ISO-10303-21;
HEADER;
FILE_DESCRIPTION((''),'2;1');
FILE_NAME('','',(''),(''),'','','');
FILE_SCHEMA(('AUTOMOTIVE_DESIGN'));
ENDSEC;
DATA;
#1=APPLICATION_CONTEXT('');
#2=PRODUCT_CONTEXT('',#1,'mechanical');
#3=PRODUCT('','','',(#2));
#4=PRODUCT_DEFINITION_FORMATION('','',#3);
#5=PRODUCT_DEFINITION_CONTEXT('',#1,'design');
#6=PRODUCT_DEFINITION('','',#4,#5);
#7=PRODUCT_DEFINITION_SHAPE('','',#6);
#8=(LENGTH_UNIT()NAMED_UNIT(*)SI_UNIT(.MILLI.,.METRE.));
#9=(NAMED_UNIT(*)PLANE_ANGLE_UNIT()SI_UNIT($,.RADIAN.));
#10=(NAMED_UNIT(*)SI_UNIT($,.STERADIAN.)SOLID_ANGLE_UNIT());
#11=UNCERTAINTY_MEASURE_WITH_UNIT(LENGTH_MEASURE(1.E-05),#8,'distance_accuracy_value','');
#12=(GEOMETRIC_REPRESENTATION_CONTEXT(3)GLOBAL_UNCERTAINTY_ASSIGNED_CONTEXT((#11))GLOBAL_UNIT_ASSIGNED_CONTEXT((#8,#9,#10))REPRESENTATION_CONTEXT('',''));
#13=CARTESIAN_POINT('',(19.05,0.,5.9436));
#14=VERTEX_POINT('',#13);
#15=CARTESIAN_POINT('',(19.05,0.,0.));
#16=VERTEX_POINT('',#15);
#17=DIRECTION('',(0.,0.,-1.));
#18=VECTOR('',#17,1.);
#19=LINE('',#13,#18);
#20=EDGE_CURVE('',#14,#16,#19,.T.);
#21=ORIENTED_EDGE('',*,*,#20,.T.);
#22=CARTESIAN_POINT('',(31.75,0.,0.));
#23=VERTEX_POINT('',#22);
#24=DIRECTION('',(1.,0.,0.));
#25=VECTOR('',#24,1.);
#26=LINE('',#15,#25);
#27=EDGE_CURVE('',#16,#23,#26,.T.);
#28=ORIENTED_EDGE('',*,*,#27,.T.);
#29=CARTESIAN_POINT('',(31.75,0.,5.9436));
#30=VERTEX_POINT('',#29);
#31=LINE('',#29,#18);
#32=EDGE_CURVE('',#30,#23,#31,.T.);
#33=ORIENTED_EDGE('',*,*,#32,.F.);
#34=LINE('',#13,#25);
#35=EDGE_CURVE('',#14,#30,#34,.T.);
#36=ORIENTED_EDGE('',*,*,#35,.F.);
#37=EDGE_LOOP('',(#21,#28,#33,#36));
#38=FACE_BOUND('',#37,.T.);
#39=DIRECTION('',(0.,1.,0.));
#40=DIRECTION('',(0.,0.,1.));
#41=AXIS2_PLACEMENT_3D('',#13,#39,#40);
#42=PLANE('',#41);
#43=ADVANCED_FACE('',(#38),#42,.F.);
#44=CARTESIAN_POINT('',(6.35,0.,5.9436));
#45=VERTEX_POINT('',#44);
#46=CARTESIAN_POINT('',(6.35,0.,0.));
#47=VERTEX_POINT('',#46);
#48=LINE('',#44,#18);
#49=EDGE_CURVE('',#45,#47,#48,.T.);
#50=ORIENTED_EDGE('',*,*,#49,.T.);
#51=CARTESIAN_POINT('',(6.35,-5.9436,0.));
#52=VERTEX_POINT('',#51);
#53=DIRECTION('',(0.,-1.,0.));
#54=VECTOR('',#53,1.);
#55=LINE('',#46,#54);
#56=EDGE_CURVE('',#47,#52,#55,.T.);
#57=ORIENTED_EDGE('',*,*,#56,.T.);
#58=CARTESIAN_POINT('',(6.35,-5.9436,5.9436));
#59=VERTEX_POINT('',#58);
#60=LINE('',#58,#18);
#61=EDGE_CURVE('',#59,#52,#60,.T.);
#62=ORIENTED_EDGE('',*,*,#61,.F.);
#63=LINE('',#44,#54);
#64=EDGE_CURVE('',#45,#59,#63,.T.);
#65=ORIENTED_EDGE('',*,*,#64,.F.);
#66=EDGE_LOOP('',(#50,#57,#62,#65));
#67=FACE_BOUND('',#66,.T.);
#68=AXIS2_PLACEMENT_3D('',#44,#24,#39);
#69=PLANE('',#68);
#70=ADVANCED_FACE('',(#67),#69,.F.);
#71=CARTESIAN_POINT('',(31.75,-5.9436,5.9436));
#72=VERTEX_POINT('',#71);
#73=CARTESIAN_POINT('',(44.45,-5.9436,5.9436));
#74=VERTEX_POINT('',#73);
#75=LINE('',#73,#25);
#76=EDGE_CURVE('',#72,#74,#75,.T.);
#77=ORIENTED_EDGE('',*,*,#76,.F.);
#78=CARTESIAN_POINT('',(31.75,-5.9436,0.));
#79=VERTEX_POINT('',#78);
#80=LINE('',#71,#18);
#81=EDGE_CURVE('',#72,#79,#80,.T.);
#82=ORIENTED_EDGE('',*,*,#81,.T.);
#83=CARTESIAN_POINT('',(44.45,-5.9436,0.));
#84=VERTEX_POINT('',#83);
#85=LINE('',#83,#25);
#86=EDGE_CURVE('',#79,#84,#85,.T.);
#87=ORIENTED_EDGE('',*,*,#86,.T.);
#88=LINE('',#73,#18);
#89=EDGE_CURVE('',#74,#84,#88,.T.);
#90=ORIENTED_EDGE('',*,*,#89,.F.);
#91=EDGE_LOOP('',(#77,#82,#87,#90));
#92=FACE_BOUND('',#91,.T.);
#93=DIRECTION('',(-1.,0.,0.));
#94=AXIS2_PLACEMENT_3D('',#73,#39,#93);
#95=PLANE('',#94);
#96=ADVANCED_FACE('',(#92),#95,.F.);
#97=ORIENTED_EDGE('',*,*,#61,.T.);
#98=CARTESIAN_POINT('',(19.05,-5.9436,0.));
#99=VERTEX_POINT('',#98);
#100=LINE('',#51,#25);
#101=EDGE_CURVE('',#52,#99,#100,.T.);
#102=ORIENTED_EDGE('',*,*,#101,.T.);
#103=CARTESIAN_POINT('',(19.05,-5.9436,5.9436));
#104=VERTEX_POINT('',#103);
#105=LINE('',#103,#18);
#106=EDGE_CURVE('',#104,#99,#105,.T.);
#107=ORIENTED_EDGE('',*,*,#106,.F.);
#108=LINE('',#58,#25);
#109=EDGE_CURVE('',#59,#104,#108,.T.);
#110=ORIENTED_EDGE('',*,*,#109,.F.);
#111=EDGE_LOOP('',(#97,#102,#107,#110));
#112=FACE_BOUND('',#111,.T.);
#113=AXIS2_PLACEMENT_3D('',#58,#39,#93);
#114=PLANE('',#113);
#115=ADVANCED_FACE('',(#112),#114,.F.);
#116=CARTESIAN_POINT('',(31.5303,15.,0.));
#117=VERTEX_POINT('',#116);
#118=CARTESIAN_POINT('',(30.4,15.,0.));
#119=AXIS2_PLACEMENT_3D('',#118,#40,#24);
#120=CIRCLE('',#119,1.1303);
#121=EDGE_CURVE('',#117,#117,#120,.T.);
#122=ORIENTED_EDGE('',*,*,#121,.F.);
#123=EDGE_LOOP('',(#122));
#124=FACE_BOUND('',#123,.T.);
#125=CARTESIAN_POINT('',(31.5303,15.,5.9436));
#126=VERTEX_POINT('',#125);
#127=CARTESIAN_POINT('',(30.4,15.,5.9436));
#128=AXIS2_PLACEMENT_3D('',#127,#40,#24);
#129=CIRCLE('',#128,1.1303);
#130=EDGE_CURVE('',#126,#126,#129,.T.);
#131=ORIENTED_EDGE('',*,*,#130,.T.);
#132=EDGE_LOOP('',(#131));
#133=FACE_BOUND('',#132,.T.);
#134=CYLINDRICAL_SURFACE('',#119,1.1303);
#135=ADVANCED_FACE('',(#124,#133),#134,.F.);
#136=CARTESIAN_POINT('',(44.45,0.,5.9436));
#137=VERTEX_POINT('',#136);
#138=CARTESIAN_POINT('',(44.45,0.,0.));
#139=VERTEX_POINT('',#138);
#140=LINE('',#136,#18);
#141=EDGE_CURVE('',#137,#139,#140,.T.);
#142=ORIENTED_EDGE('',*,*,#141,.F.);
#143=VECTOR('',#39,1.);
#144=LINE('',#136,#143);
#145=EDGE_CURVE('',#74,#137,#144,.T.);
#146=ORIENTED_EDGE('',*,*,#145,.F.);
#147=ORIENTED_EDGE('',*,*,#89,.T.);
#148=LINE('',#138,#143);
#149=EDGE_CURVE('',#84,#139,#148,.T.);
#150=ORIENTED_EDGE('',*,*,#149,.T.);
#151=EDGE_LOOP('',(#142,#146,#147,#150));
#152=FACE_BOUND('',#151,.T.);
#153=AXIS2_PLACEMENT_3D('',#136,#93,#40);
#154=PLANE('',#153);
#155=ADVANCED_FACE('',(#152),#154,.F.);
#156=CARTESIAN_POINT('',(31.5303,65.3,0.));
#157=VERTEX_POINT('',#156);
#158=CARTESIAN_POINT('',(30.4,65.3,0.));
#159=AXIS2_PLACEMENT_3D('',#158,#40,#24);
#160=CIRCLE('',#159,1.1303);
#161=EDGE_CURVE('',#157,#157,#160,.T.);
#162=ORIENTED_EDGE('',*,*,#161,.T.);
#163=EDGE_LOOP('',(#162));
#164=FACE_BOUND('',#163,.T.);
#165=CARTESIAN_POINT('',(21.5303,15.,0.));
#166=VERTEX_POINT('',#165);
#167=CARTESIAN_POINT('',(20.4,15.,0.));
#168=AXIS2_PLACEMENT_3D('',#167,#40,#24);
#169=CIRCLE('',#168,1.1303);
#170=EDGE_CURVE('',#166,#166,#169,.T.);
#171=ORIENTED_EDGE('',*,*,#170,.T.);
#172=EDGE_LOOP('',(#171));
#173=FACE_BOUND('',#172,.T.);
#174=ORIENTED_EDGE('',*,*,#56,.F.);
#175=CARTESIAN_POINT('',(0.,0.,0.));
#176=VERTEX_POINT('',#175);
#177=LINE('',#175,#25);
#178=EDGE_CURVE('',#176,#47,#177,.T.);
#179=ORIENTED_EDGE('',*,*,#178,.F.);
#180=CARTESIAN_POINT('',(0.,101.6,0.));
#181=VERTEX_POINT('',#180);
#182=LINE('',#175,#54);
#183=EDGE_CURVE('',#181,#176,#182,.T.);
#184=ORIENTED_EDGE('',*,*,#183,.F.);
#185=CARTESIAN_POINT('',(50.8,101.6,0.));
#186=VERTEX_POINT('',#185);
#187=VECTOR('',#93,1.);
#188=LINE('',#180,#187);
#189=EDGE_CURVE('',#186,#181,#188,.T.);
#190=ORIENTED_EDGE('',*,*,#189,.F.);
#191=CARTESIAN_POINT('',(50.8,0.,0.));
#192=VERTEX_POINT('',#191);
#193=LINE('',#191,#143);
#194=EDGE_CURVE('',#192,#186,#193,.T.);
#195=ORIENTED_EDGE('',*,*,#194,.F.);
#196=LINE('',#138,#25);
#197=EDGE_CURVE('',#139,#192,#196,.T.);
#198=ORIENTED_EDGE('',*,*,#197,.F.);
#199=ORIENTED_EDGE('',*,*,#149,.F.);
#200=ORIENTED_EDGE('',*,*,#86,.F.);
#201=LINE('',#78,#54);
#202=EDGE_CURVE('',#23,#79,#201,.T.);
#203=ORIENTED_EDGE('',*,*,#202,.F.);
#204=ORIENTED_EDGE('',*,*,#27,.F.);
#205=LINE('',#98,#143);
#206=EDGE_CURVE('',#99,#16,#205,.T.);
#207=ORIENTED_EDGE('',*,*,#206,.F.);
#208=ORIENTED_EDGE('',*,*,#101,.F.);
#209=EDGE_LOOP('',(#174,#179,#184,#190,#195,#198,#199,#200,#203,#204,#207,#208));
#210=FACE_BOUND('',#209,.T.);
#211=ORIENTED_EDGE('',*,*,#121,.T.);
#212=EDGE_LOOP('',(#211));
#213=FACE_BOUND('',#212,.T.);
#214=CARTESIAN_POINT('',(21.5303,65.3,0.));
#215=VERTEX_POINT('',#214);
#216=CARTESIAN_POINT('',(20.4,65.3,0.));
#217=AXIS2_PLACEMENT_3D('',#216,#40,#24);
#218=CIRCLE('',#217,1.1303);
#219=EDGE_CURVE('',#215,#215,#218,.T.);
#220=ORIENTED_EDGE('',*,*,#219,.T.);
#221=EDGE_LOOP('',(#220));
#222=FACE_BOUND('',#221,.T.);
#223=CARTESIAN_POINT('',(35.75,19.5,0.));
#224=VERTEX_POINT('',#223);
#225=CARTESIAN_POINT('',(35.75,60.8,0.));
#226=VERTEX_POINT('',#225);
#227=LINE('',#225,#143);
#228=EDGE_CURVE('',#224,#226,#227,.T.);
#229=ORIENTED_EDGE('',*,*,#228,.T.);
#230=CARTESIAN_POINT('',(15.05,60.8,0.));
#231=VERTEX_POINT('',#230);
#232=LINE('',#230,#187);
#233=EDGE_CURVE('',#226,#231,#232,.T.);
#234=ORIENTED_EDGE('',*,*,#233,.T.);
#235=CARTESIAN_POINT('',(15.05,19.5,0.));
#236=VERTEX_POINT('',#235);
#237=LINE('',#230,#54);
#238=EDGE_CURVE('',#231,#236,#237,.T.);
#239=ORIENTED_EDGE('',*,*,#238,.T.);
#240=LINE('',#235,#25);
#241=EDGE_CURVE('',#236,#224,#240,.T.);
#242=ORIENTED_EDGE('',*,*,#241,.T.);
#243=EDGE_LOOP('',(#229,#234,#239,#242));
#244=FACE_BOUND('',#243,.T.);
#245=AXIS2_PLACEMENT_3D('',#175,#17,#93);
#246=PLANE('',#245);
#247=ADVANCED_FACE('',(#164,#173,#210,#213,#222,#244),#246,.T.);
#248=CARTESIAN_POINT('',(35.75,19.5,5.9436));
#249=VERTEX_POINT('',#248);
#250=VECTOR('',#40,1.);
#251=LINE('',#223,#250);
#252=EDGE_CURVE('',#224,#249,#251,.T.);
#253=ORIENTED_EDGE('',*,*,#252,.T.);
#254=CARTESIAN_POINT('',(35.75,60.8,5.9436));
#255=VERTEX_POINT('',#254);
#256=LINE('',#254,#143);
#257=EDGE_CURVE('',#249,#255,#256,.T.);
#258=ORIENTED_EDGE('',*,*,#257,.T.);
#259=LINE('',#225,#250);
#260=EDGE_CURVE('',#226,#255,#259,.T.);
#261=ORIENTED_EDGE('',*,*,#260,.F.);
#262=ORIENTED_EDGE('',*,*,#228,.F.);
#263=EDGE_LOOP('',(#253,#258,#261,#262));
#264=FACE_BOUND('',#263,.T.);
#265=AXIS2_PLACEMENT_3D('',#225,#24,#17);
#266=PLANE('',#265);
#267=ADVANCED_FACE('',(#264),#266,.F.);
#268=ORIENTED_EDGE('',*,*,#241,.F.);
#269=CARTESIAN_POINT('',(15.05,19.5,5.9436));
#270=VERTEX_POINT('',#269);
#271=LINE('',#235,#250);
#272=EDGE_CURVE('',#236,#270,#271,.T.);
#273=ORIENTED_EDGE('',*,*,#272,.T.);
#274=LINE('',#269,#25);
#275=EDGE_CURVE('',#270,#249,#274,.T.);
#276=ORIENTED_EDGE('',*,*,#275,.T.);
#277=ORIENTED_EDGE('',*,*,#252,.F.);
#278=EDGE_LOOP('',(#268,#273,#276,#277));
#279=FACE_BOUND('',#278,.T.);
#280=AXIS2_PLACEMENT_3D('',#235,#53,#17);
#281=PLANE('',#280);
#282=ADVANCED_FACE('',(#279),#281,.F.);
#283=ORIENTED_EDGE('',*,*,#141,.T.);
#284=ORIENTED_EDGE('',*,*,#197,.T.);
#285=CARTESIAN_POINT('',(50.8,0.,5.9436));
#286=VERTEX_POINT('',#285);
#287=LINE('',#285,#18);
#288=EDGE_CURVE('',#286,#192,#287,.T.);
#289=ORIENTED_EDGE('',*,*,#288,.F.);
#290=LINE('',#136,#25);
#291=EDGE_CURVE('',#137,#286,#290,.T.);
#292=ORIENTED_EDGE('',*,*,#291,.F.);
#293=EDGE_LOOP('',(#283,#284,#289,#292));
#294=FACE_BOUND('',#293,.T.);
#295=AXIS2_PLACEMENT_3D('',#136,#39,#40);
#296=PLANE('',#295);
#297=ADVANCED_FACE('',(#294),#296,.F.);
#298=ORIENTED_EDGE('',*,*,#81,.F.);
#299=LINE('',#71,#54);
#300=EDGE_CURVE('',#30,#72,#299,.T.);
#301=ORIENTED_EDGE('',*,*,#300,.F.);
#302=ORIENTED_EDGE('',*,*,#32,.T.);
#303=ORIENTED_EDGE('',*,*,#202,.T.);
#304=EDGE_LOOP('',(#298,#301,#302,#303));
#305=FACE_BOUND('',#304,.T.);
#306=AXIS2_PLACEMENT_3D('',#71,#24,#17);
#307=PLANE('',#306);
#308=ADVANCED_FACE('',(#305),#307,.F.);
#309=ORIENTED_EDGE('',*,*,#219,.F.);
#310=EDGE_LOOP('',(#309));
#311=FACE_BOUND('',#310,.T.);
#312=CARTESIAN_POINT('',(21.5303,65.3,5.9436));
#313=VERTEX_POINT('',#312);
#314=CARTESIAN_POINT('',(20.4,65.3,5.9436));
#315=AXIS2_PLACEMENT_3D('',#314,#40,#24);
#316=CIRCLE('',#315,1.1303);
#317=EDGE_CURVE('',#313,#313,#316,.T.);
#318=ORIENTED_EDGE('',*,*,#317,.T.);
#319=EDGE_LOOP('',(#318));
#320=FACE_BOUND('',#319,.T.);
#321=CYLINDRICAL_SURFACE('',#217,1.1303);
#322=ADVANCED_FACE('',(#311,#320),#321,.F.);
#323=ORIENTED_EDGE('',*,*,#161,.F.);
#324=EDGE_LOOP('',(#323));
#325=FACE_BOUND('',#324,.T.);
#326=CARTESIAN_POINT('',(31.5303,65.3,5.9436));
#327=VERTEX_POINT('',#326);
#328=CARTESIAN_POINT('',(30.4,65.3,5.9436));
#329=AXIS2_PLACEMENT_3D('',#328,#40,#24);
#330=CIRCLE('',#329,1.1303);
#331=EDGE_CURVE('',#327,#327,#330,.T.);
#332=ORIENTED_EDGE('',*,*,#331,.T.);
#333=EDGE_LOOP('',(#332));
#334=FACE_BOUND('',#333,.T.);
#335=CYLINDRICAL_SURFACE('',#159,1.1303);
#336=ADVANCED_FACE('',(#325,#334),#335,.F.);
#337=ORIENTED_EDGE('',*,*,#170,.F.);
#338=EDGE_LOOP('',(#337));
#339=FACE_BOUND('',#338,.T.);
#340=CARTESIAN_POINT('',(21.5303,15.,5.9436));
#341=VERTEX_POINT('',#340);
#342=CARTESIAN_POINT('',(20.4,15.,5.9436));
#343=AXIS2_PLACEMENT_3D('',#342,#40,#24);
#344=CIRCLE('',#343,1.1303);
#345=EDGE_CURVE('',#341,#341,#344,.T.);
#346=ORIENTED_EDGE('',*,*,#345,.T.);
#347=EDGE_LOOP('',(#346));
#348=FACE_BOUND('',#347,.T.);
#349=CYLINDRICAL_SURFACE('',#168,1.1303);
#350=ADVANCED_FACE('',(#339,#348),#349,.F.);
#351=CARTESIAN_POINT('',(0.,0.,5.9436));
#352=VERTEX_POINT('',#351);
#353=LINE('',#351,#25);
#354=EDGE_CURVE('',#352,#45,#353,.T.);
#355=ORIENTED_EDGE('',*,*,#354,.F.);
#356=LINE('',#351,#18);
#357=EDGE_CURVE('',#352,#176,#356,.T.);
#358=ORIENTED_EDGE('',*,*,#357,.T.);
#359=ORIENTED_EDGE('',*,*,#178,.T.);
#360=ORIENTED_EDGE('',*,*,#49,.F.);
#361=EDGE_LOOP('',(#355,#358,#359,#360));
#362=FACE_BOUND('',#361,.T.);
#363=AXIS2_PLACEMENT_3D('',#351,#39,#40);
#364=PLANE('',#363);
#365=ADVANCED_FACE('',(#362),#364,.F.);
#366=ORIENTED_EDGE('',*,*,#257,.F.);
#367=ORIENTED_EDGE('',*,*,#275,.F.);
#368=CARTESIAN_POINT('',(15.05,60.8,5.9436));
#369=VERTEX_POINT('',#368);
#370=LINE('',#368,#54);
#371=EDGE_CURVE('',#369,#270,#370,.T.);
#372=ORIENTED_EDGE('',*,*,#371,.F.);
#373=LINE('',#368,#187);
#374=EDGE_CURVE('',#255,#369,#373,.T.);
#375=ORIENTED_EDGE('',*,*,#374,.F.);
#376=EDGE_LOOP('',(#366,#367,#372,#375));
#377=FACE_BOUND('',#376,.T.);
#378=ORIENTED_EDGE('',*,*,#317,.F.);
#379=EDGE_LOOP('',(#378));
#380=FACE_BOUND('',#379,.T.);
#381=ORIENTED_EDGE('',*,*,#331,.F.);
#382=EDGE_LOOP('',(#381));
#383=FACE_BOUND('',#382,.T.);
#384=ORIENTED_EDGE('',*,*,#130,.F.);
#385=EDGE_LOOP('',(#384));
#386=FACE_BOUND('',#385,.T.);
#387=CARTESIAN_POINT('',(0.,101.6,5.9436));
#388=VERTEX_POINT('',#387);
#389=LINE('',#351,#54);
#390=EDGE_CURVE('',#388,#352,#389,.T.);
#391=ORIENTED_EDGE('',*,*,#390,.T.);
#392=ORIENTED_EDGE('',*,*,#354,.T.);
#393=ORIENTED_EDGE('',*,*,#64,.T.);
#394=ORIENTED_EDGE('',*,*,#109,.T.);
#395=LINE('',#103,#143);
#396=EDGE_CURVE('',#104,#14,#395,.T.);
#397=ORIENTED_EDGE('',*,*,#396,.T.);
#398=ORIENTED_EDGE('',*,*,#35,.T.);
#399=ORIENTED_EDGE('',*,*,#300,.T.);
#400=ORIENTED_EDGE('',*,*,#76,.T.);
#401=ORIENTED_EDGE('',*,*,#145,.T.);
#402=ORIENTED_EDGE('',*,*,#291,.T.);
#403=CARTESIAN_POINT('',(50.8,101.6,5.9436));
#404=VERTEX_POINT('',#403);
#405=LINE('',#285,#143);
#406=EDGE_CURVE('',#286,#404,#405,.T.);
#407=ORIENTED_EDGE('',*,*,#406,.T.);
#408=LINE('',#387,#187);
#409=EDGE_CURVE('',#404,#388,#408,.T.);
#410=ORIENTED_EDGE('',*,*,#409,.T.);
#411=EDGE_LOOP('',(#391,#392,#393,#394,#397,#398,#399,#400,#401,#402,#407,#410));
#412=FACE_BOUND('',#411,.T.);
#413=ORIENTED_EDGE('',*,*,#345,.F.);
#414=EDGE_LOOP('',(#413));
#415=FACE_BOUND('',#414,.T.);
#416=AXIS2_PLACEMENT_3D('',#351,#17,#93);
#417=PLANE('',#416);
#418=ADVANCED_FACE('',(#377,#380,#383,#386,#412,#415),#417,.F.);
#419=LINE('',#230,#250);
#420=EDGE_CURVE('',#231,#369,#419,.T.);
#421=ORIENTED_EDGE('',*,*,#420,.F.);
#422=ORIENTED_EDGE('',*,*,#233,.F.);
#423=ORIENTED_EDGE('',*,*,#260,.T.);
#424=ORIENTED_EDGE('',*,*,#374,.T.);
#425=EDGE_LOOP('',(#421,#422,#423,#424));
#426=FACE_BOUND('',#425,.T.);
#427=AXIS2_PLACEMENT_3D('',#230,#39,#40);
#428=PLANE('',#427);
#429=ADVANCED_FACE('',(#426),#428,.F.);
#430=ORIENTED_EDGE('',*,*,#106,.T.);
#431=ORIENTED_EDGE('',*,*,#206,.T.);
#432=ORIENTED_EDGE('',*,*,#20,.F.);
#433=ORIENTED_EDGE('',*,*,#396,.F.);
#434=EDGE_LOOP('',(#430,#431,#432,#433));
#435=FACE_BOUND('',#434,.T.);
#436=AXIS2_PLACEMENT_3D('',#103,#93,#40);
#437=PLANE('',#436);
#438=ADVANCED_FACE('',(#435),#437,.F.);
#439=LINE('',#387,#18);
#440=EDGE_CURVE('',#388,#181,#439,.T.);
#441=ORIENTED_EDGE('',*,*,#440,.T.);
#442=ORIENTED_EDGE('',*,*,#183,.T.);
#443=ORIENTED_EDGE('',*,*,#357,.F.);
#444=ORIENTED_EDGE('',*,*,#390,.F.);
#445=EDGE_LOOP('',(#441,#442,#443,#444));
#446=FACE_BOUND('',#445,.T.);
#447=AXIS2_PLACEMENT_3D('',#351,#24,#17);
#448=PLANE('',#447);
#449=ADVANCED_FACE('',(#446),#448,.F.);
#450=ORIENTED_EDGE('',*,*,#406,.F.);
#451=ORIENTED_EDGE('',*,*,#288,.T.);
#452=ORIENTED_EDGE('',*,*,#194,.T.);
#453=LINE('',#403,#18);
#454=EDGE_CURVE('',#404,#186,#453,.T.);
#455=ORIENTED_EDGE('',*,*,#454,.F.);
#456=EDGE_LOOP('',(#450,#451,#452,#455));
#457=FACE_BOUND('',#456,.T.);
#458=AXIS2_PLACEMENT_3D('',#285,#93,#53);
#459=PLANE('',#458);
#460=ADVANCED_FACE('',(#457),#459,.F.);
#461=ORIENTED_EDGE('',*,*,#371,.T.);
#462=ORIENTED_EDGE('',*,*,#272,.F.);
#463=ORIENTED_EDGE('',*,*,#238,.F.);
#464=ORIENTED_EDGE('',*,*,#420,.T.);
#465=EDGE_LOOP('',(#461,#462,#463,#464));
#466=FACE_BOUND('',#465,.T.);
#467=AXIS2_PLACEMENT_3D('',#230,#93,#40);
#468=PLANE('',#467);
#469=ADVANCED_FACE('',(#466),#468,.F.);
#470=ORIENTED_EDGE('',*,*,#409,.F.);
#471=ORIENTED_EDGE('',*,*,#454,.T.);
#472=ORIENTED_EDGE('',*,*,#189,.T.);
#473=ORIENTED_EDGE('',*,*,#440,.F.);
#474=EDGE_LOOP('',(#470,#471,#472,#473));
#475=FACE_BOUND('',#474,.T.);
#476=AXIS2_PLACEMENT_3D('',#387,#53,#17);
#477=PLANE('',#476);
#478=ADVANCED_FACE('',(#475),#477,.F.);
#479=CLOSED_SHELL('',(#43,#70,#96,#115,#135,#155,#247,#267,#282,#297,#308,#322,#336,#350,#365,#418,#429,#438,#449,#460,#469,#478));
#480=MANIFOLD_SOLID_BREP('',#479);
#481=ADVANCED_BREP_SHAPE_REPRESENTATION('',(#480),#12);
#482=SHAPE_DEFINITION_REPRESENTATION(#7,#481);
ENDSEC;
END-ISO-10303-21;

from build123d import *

# Parameters (mm, degrees)
BOSS_EXTRUDE1_DEPTH = 5.9436
SKETCH2_R           = 1.1303
SKETCH2_W           = 20.7
SKETCH2_H           = 41.3
CUT_EXTRUDE1_DEPTH  = 6.9436


with BuildPart() as part:
    # Sketch1 → Boss-Extrude1 (new body)
    with BuildSketch(Plane.XY):
        Polygon((6.35, 0), (6.35, -5.9436), (19.05, -5.9436), (19.05, 0), (31.75, 0), (31.75, -5.9436), (44.45, -5.9436), (44.45, 0), (50.8, 0), (50.8, 101.6), (0, 101.6), (0, 0), align=None)
    extrude(amount=BOSS_EXTRUDE1_DEPTH)

    # Sketch2 → Cut-Extrude1 (cut, through all)
    with BuildSketch(Plane.XY.offset(5.9436)):
        with Locations((20.4, 65.3)):
            Circle(SKETCH2_R)
        with Locations((30.4, 65.3)):
            Circle(SKETCH2_R)
        with Locations((20.4, 15)):
            Circle(SKETCH2_R)
        with Locations((30.4, 15)):
            Circle(SKETCH2_R)
        with Locations((25.4, 40.15)):
            Rectangle(SKETCH2_W, SKETCH2_H)
    extrude(amount=-CUT_EXTRUDE1_DEPTH, mode=Mode.SUBTRACT)


solid = part.part
